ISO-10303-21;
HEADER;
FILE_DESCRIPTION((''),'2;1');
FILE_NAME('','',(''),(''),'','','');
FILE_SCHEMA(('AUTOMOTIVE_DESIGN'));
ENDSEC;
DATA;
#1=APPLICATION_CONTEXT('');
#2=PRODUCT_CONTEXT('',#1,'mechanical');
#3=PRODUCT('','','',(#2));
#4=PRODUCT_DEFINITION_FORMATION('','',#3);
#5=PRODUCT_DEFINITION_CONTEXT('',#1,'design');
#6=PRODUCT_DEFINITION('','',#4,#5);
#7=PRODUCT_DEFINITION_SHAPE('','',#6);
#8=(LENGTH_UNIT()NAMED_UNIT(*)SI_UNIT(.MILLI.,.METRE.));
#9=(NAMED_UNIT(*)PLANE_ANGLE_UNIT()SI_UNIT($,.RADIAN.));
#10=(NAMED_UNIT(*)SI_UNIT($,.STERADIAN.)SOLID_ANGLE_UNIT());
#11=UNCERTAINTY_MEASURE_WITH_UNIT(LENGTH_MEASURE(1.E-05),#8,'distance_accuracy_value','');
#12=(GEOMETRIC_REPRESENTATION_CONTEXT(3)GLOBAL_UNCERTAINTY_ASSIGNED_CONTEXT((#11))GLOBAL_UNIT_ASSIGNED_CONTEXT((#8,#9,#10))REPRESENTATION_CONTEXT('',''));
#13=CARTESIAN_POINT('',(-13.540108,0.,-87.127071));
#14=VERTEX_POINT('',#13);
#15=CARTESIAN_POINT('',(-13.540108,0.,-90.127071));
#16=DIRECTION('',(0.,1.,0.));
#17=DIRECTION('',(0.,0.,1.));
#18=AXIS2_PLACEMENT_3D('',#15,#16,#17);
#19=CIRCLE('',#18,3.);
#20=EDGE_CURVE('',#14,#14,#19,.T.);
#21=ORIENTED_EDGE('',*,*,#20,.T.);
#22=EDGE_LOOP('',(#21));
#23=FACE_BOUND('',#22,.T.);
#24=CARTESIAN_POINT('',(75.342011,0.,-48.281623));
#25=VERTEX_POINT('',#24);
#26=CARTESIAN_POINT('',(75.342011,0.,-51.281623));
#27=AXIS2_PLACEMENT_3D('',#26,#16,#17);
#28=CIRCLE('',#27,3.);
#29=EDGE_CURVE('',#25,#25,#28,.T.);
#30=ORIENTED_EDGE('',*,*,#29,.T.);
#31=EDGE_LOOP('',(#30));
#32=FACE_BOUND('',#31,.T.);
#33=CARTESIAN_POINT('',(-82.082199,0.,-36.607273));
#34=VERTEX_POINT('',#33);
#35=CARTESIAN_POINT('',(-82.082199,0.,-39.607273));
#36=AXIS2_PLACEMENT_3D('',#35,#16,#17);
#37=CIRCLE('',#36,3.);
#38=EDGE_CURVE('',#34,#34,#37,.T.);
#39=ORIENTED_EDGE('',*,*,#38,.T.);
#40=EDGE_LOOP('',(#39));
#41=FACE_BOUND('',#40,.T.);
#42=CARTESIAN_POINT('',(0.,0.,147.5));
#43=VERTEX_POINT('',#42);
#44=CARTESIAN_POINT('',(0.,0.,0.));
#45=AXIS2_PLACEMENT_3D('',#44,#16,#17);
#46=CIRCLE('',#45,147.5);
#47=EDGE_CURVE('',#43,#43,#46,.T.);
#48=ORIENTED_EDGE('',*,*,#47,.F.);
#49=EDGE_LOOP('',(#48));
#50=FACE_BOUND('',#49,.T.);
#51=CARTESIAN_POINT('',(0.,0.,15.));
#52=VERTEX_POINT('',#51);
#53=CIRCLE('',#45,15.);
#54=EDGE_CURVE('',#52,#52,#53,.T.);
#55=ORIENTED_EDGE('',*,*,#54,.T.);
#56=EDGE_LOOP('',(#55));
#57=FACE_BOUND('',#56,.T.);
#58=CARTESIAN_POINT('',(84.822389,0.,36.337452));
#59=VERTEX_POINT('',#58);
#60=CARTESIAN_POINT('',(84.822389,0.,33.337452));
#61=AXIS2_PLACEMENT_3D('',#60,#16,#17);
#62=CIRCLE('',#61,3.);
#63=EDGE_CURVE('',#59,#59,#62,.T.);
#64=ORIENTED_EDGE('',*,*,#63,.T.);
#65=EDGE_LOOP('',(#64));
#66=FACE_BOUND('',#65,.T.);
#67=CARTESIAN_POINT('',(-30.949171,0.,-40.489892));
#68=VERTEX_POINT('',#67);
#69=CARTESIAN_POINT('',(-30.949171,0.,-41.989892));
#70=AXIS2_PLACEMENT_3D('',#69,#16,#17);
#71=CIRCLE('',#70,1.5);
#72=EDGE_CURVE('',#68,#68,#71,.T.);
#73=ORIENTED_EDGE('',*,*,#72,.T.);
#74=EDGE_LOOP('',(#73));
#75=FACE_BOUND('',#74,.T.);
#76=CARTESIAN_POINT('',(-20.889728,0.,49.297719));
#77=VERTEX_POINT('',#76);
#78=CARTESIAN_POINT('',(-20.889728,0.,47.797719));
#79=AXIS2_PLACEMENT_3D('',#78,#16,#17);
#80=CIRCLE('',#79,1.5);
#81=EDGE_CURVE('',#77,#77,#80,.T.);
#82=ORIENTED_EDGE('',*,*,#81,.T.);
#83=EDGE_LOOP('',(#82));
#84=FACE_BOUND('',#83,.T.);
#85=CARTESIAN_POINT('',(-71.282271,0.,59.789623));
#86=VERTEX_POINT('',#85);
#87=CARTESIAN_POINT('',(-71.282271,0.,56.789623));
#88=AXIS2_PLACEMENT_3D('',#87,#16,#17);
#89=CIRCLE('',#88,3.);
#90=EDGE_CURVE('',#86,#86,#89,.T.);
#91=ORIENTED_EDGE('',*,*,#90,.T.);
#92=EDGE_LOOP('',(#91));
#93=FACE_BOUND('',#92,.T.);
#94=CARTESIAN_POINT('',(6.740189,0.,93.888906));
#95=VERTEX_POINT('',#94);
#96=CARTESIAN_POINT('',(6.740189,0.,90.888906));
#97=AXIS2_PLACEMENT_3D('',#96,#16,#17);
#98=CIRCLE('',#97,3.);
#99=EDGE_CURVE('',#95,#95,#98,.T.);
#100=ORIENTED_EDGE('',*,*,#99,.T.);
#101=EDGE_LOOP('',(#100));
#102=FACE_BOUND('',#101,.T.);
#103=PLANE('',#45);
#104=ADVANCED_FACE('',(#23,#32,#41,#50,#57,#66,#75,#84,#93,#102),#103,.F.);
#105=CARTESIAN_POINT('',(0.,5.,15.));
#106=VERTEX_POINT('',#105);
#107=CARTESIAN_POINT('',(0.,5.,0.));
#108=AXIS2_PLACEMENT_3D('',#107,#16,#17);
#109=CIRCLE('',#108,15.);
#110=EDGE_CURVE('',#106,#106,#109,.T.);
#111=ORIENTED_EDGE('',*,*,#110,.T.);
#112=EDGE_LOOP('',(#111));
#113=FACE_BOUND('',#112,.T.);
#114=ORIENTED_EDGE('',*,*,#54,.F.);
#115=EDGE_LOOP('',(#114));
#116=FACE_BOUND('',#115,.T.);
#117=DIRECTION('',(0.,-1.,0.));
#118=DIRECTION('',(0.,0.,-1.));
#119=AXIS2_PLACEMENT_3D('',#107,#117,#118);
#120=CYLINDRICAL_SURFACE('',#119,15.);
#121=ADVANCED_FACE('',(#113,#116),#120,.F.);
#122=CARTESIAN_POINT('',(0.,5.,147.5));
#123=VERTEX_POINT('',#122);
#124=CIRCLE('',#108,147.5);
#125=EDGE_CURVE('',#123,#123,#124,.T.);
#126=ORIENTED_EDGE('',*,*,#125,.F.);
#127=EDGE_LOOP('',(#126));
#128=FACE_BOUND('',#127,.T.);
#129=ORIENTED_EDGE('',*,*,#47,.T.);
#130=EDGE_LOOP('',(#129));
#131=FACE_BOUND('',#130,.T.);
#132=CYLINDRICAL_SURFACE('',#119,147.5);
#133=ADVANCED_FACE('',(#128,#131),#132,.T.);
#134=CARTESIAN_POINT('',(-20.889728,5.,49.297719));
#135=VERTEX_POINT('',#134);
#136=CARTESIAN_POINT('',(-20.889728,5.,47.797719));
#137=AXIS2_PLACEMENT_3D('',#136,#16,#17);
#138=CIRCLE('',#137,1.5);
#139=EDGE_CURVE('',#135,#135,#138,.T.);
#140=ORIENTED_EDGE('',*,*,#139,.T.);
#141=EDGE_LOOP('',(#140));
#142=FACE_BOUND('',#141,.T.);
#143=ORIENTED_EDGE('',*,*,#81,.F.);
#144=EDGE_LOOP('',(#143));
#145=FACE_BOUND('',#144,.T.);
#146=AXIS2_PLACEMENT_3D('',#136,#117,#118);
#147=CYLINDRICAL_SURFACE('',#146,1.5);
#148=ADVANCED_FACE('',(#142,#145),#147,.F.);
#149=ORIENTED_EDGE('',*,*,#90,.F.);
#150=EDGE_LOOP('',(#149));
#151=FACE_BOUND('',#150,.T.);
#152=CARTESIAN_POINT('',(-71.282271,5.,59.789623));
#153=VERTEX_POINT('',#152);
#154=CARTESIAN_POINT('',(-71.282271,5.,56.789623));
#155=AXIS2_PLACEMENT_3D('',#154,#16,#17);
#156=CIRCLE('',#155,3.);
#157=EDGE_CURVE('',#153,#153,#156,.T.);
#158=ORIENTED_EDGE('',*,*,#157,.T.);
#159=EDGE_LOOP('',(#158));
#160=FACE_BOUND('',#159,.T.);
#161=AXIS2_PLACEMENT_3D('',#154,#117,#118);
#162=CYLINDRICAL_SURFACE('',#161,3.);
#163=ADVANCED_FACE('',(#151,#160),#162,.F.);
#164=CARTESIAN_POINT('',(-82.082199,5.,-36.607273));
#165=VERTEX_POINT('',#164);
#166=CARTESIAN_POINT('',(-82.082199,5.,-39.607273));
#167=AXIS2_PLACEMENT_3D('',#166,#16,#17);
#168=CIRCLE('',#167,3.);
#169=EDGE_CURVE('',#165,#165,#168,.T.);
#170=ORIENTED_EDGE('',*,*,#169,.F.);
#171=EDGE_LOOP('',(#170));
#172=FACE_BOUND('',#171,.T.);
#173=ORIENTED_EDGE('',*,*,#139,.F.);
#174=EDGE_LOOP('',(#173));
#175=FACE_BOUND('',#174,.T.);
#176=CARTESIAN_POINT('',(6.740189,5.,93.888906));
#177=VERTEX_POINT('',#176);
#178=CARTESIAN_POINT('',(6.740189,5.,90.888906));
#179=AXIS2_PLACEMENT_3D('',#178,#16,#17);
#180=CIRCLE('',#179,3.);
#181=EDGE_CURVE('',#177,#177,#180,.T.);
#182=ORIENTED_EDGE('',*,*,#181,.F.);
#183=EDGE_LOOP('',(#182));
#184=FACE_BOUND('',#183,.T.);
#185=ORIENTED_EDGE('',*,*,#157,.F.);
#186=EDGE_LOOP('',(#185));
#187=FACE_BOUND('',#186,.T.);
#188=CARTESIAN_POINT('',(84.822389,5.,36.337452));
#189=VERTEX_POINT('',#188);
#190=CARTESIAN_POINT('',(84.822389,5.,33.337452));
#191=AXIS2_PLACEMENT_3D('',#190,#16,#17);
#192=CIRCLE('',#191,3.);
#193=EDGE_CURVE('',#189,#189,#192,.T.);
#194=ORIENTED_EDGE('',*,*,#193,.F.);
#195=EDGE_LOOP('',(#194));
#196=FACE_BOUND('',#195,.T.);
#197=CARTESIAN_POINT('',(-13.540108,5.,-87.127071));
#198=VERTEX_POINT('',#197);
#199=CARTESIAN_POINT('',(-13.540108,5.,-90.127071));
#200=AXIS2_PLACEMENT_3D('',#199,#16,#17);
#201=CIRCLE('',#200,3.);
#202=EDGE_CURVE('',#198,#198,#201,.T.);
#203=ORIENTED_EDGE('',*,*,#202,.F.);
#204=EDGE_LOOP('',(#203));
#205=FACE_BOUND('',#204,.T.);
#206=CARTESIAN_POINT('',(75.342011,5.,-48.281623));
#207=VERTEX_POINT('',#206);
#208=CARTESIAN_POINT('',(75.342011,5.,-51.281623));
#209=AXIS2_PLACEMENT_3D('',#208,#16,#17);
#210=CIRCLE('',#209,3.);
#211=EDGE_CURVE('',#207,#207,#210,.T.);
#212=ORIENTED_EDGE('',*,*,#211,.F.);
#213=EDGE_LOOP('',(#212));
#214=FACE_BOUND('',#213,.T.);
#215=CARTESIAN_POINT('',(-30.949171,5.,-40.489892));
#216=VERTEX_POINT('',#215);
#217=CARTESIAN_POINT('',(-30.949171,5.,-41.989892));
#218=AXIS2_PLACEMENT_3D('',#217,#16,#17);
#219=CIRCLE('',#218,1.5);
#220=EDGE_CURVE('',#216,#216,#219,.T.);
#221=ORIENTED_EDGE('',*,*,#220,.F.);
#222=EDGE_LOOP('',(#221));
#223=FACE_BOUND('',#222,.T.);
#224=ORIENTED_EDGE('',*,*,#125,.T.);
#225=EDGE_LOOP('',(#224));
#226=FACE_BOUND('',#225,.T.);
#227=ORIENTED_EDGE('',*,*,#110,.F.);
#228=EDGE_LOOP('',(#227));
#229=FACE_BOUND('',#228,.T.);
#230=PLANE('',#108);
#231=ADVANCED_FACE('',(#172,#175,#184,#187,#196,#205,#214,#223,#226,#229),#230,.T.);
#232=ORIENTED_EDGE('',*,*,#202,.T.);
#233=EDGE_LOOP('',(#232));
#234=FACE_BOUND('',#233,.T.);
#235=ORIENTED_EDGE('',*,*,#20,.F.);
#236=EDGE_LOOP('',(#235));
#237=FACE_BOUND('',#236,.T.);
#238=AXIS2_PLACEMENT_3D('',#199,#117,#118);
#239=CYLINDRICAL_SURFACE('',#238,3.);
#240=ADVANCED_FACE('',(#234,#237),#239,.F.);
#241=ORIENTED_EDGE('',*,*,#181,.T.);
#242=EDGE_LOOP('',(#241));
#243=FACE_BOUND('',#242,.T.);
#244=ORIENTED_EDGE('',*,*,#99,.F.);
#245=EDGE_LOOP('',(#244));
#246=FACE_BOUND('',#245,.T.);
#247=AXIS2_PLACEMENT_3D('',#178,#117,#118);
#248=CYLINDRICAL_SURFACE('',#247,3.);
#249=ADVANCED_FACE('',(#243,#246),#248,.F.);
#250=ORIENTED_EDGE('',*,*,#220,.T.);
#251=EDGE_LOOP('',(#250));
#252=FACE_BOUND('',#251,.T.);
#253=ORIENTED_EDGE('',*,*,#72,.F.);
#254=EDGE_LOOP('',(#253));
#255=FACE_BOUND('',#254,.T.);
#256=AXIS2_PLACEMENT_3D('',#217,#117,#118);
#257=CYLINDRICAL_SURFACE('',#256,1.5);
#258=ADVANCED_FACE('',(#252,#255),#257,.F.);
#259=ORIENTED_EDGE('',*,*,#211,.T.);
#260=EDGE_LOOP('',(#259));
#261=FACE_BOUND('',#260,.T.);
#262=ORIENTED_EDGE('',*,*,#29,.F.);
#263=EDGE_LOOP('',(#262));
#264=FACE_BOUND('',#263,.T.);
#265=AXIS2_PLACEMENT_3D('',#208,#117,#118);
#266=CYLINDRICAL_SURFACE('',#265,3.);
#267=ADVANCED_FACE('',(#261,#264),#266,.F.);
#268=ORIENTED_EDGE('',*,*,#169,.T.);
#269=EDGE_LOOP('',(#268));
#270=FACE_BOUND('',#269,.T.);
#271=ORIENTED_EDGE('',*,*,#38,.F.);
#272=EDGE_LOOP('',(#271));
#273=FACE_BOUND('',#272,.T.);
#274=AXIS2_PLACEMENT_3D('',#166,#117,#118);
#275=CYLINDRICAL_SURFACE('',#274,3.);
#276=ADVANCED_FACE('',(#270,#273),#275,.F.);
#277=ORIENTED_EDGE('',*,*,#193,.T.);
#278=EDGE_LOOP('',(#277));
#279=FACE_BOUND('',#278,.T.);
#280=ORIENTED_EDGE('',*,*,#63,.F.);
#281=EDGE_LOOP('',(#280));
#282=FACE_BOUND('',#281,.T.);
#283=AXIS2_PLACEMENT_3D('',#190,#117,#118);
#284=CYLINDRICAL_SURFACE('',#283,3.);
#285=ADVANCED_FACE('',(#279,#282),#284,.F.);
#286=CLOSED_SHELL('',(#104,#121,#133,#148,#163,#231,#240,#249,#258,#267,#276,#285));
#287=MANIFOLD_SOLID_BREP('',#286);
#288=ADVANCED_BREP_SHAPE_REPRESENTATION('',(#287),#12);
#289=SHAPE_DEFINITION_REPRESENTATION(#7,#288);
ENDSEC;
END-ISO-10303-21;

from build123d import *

# Parameters (mm, degrees)
ESQUISSE1_R        = 147.5
ESQUISSE1_R_2      = 15
ESQUISSE1_R_3      = 3
ESQUISSE1_R_4      = 1.5
BOSS_EXTRU_1_DEPTH = 5


with BuildPart() as part:
    # Esquisse1 → Boss.-Extru.1 (new body)
    with BuildSketch(Plane(origin=(0, 0, 0), x_dir=(1, 0, 0), z_dir=(0, 1, 0))):
        with Locations(Location((0, 0, 0), (0, 0, 270))):
            Circle(ESQUISSE1_R)
        with Locations(Location((0, 0, 0), (0, 0, 270))):
            Circle(ESQUISSE1_R_2, mode=Mode.SUBTRACT)
        with Locations(Location((-13.540108487, 90.127070907, 0), (0, 0, 270))):
            Circle(ESQUISSE1_R_3, mode=Mode.SUBTRACT)
        with Locations(Location((-82.082198921, 39.607272923, 0), (0, 0, 270))):
            Circle(ESQUISSE1_R_3, mode=Mode.SUBTRACT)
        with Locations(Location((75.342010962, 51.281622754, 0), (0, 0, 270))):
            Circle(ESQUISSE1_R_3, mode=Mode.SUBTRACT)
        with Locations(Location((84.822389485, -33.337451765, 0), (0, 0, 270))):
            Circle(ESQUISSE1_R_3, mode=Mode.SUBTRACT)
        with Locations(Location((6.740188753, -90.888906384, 0), (0, 0, 270))):
            Circle(ESQUISSE1_R_3, mode=Mode.SUBTRACT)
        with Locations(Location((-71.282271006, -56.78962307, 0), (0, 0, 270))):
            Circle(ESQUISSE1_R_3, mode=Mode.SUBTRACT)
        with Locations(Location((-20.889727943, -47.797718878, 0), (0, 0, 270))):
            Circle(ESQUISSE1_R_4, mode=Mode.SUBTRACT)
        with Locations(Location((-30.949170814, 41.989892072, 0), (0, 0, 270))):
            Circle(ESQUISSE1_R_4, mode=Mode.SUBTRACT)
    extrude(amount=BOSS_EXTRU_1_DEPTH)


solid = part.part
